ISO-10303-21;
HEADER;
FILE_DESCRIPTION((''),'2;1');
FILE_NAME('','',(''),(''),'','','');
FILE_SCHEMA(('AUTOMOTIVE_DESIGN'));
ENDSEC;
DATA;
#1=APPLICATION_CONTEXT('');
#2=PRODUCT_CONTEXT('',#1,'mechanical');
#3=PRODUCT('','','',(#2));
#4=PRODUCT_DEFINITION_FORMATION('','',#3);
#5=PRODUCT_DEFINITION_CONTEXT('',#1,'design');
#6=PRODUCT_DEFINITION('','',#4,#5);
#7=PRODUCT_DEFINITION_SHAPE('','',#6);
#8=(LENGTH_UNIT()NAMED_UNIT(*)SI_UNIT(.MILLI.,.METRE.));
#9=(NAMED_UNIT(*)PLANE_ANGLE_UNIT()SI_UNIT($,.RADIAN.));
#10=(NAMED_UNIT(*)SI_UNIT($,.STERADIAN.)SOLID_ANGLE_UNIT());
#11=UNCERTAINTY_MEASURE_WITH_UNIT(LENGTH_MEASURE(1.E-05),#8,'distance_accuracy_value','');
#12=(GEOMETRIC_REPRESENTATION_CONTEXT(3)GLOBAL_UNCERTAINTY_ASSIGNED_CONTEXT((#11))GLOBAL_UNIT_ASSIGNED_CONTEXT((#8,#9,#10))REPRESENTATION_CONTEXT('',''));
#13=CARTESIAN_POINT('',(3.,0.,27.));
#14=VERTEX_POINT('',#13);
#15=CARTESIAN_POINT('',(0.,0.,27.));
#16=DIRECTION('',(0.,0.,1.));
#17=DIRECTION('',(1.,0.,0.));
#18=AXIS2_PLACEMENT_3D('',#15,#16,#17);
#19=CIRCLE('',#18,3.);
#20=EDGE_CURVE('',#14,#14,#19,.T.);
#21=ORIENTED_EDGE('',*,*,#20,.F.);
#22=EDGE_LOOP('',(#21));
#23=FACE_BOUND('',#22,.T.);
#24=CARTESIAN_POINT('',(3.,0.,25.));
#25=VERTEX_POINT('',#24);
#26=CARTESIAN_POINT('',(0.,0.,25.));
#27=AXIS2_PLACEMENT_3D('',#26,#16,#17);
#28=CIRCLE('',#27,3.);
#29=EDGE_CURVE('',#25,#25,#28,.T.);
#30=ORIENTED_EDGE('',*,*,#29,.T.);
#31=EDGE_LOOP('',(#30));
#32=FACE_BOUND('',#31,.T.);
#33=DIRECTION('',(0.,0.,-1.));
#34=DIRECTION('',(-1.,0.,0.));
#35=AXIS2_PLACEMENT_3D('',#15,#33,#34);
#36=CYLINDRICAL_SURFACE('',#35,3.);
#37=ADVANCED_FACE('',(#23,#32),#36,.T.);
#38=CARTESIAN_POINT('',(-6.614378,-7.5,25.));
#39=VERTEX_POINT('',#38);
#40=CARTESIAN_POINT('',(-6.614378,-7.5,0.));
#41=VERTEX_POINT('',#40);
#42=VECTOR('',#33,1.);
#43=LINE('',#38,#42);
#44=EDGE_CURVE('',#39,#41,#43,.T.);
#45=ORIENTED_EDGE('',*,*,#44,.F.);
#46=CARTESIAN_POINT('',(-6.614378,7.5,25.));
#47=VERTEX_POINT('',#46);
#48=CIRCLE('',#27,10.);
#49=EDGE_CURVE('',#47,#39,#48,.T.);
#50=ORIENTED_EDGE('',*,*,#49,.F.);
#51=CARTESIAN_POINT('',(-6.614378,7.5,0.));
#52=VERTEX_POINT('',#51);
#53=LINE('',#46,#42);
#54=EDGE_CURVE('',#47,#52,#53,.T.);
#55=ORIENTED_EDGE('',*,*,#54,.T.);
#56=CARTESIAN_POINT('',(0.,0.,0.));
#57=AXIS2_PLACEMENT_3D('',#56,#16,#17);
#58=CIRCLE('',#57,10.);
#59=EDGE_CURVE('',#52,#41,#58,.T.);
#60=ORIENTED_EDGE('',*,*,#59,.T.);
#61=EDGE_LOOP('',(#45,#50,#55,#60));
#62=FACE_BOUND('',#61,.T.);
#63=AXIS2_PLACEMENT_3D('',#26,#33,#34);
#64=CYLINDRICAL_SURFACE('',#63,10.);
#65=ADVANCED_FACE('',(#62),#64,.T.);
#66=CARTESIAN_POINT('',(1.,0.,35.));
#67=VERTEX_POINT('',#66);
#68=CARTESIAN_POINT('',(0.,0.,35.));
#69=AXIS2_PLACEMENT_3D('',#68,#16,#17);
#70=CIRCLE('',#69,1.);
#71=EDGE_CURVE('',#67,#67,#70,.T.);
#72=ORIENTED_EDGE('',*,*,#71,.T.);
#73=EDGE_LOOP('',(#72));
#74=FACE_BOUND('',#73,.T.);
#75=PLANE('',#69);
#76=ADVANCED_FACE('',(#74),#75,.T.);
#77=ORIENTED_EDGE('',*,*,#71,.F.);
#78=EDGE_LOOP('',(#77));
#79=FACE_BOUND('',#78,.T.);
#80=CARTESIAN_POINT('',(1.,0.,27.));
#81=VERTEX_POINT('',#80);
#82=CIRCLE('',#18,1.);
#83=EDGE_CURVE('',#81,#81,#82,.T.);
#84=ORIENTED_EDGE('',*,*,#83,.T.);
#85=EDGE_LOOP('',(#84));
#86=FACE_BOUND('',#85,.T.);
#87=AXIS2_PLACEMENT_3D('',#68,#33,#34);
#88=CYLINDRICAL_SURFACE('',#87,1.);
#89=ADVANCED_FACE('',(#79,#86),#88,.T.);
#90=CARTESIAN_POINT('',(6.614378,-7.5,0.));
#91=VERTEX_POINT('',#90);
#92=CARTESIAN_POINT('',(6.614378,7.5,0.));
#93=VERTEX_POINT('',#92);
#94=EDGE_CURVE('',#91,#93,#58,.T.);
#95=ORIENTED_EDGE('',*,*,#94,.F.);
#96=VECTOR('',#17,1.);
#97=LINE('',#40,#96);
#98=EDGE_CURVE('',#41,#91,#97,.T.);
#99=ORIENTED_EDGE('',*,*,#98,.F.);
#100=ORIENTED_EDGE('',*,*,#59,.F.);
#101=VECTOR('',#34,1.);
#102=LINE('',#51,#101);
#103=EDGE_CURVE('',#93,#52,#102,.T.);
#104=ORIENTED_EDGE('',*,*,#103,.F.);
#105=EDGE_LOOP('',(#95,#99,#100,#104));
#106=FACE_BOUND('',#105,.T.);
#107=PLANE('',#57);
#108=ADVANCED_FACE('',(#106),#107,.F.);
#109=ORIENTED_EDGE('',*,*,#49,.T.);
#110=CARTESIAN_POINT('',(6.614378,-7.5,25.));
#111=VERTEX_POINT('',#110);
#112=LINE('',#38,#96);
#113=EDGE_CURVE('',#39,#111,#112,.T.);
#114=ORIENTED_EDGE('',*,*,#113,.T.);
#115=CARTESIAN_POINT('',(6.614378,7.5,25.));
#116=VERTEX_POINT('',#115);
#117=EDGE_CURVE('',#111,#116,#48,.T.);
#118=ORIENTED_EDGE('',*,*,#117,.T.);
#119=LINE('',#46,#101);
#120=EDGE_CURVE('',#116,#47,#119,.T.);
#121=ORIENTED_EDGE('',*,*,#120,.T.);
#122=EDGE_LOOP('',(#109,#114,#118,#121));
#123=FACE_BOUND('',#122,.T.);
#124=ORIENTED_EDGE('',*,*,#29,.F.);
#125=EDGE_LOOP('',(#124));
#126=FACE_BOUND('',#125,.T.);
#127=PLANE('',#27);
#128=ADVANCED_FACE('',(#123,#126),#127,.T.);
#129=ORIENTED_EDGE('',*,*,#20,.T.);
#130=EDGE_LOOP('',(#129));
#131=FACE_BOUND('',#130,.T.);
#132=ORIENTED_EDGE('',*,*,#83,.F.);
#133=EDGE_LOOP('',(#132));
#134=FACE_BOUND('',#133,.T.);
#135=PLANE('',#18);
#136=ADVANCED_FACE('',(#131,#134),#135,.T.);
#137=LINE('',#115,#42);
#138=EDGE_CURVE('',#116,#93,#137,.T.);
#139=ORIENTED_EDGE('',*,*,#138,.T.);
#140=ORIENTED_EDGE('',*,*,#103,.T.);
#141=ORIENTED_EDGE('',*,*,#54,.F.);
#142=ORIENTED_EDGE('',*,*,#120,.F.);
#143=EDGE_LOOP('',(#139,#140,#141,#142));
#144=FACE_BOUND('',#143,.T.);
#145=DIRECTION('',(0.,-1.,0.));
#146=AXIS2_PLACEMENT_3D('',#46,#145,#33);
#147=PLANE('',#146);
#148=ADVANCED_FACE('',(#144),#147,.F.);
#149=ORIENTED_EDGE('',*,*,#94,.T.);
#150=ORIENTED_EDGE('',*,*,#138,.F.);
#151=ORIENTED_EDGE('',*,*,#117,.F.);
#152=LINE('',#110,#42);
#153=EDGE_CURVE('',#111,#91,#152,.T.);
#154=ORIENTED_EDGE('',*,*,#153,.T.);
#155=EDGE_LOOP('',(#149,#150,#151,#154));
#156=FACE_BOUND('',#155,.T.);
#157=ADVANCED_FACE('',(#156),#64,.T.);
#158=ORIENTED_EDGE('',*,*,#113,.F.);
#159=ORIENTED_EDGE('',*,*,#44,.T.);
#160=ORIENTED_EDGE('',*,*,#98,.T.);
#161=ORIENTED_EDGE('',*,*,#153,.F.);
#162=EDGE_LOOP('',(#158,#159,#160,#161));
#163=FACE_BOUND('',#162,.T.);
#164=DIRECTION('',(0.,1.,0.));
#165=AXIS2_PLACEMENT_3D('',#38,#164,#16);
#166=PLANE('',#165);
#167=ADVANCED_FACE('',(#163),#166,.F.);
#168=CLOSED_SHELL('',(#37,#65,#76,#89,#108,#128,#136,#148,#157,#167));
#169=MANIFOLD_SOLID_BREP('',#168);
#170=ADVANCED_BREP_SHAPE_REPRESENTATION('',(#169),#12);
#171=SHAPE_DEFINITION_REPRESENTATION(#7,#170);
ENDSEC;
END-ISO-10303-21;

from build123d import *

# Parameters (mm, degrees)
BOSS_EXTRU_1_DEPTH = 25
ESQUISSE2_R        = 3
BOSS_EXTRU_2_DEPTH = 2
ESQUISSE3_R        = 1
BOSS_EXTRU_3_DEPTH = 8


with BuildPart() as part:
    # Esquisse1 → Boss.-Extru.1 (new body)
    with BuildSketch(Plane.XY):
        with BuildLine():
            Line((-6.614378278, 7.5), (6.614378278, 7.5))
            ThreePointArc((6.614378278, 7.5), (10, 0), (6.614378278, -7.5))
            Line((6.614378278, -7.5), (-6.614378278, -7.5))
            ThreePointArc((-6.614378278, -7.5), (-10, 0), (-6.614378278, 7.5))
        make_face()
    extrude(amount=BOSS_EXTRU_1_DEPTH)

    # Esquisse2 → Boss.-Extru.2 (add)
    with BuildSketch(Plane.XY.offset(25)):
        Circle(ESQUISSE2_R)
    extrude(amount=BOSS_EXTRU_2_DEPTH)

    # Esquisse3 → Boss.-Extru.3 (add)
    with BuildSketch(Plane.XY.offset(27)):
        Circle(ESQUISSE3_R)
    extrude(amount=BOSS_EXTRU_3_DEPTH)


solid = part.part
